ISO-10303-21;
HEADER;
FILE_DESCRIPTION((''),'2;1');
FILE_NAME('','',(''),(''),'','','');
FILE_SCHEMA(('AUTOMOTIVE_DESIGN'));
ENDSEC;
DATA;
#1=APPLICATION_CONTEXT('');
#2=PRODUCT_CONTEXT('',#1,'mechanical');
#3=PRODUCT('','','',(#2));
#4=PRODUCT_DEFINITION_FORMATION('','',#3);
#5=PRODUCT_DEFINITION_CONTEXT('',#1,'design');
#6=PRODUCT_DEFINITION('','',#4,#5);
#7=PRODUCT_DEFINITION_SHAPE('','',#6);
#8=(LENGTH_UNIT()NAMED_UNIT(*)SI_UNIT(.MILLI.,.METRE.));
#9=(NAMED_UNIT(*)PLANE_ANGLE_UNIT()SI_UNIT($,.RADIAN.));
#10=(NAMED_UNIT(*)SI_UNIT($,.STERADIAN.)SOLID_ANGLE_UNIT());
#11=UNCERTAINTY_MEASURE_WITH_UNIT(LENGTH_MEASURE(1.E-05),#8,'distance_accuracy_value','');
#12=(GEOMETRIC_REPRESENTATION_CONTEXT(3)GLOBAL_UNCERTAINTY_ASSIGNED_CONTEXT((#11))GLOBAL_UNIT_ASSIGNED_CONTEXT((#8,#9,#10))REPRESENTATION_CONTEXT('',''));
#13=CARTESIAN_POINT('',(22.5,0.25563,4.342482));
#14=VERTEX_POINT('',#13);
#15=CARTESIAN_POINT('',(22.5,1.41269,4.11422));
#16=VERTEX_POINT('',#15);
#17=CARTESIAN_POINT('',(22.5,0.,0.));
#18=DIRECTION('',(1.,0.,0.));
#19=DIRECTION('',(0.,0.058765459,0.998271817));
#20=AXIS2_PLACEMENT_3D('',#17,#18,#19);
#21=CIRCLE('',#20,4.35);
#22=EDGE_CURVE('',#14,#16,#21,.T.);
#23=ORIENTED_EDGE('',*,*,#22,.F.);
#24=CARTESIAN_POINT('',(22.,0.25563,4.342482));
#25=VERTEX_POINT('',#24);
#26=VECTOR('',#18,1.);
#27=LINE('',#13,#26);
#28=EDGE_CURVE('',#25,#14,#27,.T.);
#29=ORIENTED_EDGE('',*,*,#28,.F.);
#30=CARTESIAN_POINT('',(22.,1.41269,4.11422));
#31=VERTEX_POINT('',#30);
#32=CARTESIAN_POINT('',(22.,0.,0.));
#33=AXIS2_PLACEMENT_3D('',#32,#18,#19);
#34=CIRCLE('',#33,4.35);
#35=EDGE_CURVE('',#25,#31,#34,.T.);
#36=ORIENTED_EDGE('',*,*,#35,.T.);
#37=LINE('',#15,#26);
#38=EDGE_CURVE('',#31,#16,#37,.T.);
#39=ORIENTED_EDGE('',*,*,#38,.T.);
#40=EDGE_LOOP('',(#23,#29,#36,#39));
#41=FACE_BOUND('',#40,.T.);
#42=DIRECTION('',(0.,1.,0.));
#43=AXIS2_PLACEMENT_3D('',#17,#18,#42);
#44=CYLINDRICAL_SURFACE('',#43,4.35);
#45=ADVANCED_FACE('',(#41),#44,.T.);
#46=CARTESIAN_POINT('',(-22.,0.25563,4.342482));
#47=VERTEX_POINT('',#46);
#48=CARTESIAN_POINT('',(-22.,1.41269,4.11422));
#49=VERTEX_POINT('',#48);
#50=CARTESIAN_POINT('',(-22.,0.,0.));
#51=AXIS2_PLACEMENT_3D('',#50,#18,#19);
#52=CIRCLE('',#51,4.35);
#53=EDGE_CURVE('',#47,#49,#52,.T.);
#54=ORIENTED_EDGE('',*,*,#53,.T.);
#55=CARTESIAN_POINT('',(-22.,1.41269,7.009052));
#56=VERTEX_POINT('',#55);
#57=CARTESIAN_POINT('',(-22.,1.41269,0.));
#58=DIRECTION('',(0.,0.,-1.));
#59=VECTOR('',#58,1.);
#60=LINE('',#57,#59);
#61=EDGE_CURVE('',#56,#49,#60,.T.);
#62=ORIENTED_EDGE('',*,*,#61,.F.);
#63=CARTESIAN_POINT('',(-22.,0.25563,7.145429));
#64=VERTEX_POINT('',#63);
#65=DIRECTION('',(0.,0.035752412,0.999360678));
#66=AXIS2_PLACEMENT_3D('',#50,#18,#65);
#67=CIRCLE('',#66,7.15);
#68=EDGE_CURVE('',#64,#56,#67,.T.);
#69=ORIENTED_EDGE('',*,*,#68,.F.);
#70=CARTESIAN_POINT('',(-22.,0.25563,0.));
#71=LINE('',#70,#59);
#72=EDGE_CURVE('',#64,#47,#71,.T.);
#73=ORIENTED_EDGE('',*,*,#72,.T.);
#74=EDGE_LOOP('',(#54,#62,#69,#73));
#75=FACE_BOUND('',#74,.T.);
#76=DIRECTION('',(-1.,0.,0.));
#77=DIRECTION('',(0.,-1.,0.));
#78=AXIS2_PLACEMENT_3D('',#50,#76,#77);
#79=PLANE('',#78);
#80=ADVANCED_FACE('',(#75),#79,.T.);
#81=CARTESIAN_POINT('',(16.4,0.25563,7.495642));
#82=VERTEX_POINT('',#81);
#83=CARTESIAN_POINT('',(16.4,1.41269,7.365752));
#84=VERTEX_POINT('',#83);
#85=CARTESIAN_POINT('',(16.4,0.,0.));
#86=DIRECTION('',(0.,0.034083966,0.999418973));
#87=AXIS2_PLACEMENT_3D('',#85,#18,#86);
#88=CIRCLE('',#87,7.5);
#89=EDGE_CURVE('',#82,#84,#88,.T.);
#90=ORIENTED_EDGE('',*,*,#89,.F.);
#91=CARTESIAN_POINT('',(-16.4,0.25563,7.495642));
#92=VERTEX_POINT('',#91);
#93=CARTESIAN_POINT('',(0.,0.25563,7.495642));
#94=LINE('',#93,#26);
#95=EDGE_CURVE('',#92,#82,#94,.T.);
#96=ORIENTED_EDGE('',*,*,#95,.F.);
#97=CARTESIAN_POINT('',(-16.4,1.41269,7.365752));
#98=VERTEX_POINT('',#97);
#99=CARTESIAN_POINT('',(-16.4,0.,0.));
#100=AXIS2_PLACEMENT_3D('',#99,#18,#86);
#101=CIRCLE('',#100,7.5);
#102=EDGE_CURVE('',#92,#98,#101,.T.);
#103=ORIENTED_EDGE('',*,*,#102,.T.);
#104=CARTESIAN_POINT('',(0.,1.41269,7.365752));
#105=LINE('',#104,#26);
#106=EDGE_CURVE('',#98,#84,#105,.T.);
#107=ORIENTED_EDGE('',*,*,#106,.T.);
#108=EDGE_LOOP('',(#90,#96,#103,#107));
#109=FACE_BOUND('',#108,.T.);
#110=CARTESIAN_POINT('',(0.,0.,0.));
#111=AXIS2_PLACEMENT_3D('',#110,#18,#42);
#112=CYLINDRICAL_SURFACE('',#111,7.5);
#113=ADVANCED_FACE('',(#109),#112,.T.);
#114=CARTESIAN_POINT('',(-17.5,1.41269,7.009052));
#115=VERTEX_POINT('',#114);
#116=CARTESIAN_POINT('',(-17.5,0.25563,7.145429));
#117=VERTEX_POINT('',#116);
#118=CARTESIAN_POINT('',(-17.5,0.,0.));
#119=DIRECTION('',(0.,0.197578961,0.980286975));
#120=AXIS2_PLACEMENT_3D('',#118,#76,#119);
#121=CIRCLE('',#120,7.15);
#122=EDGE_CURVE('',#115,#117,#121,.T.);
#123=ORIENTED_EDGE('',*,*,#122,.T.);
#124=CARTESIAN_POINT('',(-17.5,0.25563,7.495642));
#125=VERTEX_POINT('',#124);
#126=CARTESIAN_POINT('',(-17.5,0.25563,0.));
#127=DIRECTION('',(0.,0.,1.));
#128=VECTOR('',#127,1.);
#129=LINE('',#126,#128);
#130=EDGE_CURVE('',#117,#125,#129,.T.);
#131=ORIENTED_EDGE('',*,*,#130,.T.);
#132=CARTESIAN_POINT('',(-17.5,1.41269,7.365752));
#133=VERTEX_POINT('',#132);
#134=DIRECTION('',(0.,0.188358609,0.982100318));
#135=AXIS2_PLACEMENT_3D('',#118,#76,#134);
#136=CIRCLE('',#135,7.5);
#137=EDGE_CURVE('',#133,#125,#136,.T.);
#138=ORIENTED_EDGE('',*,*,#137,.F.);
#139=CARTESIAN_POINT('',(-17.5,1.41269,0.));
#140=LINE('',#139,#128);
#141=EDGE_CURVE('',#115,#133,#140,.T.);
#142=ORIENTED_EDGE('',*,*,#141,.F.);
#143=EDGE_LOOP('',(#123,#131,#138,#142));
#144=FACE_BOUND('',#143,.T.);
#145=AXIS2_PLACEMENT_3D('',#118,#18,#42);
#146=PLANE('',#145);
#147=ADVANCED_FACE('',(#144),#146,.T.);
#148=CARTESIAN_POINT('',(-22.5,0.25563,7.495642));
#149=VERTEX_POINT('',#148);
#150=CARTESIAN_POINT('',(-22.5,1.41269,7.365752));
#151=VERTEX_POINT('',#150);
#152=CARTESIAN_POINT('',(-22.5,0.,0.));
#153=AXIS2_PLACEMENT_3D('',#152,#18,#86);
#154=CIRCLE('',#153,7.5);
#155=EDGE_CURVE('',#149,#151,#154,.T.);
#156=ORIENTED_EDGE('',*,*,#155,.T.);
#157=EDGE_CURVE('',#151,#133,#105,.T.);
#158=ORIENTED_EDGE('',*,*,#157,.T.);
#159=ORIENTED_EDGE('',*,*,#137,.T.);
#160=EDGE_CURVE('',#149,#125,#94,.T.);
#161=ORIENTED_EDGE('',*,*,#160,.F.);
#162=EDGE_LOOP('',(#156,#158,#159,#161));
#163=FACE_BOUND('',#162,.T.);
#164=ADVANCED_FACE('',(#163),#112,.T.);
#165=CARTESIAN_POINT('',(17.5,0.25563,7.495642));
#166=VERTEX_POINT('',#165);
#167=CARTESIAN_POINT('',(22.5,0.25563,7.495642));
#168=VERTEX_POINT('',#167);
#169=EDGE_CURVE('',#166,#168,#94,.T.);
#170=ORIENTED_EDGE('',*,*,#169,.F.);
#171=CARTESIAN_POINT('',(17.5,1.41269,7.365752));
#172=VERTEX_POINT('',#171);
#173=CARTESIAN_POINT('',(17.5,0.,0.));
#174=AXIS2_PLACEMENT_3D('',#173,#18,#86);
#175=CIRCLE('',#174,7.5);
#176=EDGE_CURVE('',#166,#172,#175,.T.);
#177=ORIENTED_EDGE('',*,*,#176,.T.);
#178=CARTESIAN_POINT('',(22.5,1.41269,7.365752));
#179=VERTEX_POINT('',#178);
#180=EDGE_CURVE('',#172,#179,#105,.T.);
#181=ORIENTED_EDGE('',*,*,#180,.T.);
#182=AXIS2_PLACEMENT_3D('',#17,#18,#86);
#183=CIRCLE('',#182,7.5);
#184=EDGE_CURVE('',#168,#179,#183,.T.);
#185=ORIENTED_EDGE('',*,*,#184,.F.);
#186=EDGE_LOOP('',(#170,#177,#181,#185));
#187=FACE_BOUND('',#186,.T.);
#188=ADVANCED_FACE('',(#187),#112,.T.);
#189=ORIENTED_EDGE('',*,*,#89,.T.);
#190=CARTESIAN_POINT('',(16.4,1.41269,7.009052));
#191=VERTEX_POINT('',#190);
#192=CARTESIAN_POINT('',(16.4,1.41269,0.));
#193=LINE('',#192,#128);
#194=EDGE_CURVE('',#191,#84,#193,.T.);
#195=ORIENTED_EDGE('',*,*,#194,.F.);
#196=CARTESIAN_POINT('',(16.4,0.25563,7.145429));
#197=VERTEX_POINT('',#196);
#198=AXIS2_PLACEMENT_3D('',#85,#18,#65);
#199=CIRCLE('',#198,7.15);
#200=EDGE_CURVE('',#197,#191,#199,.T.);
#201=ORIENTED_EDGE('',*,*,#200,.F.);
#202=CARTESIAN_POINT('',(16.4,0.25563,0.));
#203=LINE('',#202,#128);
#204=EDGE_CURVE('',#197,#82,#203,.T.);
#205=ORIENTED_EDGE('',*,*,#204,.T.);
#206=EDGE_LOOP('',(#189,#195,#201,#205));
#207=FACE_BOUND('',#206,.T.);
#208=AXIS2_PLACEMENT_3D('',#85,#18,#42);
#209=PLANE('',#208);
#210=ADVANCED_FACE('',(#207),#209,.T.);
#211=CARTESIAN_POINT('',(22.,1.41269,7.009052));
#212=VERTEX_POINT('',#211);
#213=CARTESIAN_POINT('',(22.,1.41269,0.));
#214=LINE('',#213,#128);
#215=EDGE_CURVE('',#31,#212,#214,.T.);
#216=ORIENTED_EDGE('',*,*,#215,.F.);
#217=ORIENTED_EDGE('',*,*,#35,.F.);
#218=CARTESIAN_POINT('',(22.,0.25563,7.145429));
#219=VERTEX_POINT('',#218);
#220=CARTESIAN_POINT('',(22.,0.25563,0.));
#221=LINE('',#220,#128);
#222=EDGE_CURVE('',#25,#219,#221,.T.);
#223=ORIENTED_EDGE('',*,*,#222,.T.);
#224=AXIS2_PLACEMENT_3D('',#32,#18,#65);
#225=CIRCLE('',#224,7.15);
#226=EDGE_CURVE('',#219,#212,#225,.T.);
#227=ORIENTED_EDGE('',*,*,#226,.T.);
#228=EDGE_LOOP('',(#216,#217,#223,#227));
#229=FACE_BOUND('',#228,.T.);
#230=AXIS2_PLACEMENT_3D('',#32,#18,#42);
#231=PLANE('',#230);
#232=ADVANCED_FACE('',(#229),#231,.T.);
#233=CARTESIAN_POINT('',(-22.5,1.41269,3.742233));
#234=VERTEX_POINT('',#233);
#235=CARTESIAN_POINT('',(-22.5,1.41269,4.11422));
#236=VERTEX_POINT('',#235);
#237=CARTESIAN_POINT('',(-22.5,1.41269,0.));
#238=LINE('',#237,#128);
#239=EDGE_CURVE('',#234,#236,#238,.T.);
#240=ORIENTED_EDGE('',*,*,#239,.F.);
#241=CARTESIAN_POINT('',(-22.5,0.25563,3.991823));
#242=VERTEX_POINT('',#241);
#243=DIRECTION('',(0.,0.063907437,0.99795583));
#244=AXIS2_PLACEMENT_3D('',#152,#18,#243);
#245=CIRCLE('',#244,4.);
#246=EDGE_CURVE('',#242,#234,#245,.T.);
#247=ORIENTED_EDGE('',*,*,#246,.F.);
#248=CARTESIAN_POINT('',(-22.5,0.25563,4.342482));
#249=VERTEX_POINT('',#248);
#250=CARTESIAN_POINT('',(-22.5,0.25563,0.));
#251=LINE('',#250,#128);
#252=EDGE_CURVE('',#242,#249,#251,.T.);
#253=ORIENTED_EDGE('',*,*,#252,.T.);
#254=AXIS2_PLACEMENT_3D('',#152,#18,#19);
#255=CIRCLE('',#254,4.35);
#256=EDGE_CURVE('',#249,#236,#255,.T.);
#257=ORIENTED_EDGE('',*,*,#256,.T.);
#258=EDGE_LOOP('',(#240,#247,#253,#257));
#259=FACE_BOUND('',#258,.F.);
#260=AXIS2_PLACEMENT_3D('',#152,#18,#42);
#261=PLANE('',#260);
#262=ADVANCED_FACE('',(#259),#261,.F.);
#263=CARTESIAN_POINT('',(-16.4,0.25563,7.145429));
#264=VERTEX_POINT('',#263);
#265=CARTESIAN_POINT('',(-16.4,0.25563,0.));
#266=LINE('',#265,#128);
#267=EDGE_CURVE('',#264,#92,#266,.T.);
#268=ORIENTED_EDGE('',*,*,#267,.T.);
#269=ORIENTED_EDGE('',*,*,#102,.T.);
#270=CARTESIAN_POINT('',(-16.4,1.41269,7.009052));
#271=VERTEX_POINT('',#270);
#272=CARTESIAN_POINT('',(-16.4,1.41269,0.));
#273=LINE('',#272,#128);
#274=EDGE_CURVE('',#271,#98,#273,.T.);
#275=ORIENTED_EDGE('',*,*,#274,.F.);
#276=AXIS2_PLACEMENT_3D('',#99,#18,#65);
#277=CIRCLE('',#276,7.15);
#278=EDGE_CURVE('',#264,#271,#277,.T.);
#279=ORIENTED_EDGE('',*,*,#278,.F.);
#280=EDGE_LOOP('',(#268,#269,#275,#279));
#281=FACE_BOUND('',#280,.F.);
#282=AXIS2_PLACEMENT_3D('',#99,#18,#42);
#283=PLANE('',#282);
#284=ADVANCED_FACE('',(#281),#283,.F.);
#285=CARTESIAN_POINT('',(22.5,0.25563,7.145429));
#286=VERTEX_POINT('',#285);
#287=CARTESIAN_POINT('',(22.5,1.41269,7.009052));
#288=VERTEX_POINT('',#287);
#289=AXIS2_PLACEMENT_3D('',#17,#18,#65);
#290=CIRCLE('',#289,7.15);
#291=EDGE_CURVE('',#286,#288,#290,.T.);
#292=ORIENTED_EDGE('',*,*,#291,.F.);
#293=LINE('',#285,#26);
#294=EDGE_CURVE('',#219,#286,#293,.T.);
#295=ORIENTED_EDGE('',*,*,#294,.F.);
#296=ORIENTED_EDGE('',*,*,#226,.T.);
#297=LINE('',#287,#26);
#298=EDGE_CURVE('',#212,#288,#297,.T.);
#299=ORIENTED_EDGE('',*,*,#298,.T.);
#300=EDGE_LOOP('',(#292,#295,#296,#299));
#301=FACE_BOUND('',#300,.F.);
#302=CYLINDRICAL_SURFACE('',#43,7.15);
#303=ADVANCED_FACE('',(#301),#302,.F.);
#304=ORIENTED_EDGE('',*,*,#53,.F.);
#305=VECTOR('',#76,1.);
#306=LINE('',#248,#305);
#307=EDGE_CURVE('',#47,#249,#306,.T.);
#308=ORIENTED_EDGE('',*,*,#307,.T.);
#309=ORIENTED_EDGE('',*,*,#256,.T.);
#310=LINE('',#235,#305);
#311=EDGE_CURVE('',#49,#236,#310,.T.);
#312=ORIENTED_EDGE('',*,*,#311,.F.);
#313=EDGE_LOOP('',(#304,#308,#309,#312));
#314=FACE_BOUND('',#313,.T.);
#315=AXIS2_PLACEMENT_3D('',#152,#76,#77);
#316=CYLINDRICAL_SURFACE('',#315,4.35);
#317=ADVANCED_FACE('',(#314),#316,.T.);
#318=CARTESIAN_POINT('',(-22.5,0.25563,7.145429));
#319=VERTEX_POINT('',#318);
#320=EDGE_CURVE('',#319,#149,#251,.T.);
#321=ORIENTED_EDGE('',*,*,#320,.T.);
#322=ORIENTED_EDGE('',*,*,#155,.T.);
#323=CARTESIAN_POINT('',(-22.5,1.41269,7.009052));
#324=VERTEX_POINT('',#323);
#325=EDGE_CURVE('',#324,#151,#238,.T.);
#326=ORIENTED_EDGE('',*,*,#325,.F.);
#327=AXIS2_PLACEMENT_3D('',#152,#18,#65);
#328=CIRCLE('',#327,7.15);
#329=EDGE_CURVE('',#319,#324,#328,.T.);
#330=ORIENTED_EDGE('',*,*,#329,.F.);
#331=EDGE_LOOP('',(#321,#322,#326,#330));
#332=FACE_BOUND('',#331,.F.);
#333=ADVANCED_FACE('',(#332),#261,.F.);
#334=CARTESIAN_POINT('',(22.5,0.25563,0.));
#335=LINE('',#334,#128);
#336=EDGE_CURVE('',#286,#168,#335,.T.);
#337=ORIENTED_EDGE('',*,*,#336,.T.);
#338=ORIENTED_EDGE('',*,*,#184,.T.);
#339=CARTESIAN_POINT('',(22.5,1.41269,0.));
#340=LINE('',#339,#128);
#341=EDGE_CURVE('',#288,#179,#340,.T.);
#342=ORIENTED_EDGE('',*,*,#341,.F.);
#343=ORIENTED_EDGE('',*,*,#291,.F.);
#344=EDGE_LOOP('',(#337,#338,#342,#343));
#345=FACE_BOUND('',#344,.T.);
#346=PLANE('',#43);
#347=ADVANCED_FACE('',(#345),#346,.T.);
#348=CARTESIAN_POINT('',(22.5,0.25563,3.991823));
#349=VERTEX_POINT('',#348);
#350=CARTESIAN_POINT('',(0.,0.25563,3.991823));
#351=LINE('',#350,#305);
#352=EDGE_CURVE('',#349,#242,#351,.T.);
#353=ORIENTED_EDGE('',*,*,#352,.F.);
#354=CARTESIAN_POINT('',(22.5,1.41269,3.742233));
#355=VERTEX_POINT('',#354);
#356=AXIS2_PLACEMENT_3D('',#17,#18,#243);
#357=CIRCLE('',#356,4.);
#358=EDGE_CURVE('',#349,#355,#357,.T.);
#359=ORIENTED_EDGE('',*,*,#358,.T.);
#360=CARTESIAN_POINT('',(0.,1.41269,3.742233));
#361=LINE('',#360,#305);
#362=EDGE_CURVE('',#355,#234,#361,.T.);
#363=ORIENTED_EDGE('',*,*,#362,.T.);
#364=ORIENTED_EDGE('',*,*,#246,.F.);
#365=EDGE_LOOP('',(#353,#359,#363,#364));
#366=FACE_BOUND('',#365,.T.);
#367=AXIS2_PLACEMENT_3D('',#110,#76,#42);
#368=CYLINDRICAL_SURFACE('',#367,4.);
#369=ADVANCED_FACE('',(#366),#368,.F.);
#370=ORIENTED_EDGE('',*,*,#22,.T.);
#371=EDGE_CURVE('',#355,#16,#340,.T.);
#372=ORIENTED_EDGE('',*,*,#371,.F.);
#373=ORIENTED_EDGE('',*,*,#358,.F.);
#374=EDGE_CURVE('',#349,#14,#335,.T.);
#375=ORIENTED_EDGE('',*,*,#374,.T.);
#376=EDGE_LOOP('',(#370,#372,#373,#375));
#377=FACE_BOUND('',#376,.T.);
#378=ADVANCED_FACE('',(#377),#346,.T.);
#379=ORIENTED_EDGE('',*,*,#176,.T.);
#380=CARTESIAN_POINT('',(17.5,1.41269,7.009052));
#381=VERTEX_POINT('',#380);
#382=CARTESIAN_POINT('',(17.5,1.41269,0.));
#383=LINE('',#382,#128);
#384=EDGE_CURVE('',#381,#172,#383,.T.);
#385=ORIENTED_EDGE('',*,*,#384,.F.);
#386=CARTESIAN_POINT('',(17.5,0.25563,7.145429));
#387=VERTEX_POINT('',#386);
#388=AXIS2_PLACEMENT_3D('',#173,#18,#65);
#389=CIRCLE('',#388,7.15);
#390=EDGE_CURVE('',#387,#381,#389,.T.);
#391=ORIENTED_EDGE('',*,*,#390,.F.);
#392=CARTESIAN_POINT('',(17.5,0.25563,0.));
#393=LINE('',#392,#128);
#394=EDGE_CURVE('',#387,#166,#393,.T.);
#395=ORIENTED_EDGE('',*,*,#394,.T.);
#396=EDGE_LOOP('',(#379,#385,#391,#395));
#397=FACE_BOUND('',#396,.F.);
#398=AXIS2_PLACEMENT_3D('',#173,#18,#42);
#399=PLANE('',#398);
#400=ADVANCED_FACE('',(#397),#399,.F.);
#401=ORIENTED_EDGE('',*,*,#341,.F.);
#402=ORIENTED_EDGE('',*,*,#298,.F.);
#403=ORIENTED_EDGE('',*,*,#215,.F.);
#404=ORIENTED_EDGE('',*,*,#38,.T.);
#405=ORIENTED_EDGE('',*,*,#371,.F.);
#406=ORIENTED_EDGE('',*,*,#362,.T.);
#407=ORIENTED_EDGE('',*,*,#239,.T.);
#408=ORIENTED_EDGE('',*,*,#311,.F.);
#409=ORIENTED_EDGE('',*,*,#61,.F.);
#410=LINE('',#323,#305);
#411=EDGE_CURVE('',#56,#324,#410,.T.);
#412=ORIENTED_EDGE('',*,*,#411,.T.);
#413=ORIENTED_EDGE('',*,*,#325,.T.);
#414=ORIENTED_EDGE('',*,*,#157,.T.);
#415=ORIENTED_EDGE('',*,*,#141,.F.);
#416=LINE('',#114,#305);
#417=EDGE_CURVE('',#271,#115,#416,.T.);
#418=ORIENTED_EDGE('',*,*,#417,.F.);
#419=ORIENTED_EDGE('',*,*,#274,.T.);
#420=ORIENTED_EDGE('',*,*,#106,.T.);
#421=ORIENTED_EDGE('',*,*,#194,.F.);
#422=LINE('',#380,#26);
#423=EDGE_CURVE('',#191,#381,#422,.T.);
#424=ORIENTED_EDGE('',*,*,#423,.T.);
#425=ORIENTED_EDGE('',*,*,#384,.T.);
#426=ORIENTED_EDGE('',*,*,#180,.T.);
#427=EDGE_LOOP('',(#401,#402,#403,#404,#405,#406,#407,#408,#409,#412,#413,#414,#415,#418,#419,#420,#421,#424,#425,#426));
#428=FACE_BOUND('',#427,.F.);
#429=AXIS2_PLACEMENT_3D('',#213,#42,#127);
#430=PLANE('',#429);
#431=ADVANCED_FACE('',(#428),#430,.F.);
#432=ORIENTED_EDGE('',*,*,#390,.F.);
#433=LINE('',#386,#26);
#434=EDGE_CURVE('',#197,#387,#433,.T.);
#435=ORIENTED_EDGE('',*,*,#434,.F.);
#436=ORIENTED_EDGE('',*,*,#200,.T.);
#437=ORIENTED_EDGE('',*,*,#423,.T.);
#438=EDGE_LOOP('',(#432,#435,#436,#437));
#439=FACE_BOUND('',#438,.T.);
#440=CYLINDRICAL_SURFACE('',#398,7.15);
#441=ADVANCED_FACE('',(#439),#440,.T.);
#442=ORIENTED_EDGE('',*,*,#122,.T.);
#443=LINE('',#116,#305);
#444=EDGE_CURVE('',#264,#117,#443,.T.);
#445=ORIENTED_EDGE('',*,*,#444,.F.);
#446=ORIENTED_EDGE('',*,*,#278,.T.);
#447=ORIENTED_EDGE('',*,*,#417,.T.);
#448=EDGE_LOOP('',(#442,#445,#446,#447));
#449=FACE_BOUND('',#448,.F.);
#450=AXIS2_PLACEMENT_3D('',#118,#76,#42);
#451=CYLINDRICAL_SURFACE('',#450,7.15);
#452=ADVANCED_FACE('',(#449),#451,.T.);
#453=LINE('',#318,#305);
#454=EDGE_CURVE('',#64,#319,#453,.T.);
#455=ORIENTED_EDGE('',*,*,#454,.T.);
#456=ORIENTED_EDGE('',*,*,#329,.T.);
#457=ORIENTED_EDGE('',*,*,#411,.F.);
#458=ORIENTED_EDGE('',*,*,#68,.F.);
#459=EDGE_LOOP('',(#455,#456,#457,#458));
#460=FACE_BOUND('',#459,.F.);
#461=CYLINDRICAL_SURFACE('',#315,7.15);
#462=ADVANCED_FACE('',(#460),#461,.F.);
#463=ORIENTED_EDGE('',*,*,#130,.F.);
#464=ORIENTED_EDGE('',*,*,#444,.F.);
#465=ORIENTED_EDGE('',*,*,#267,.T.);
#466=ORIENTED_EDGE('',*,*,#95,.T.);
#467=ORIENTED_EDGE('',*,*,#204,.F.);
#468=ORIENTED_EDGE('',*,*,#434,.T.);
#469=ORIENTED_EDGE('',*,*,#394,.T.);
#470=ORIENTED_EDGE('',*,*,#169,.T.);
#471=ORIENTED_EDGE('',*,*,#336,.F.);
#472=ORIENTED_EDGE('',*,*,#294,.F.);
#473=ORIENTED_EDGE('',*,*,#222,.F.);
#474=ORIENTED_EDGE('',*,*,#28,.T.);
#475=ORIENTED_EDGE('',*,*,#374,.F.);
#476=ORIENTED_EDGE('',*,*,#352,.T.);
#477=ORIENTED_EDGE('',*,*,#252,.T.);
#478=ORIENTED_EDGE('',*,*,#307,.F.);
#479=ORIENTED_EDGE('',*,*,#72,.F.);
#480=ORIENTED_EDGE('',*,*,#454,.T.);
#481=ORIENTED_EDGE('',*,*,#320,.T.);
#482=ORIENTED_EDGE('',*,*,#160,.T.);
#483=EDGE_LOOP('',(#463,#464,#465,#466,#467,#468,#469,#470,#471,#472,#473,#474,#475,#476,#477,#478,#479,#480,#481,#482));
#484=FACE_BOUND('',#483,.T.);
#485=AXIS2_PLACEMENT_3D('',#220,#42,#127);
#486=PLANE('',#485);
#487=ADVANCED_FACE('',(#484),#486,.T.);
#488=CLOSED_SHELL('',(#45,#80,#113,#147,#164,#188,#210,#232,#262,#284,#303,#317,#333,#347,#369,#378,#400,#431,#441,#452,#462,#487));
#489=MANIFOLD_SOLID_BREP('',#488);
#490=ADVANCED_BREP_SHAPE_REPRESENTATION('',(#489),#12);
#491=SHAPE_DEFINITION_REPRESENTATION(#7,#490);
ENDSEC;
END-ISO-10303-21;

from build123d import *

# Parameters (mm, degrees)
F0_R      = 7.5
F0_R_2    = 4
F1_DEPTH  = 22.5
F4_R      = 8
F4_R_2    = 7.15
F5_DEPTH  = 1.1
F6_R      = 8
F6_R_2    = 7.15
F7_DEPTH  = 1.1
F8_R      = 7.15
F8_R_2    = 4.35
F9_DEPTH  = 0.5
F11_R     = 7.15
F11_R_2   = 4.35
F12_DEPTH = 0.5
F13_W     = 1.1570598217
F13_H     = 15.1530206203
F14_DEPTH = 499.5


with BuildPart() as f1:
    # F0 (on Right) → F1 (new body, symmetric)
    with BuildSketch(Plane.YZ):
        Circle(F0_R)
        Circle(F0_R_2, mode=Mode.SUBTRACT)
    extrude(amount=F1_DEPTH, both=True)

    # F4 (on offset) → F5 (cut)
    with BuildSketch(Plane.YZ.offset(-17.5)):
        Circle(F4_R)
        Circle(F4_R_2, mode=Mode.SUBTRACT)
    extrude(amount=F5_DEPTH, mode=Mode.SUBTRACT)

    # F6 (on offset) → F7 (cut)
    with BuildSketch(Plane.YZ.offset(17.5)):
        Circle(F6_R)
        Circle(F6_R_2, mode=Mode.SUBTRACT)
    extrude(amount=-F7_DEPTH, mode=Mode.SUBTRACT)

    # F8 (on face) → F9 (cut)
    with BuildSketch(Plane.YZ.offset(22.5)):
        Circle(F8_R)
        Circle(F8_R_2, mode=Mode.SUBTRACT)
    extrude(amount=-F9_DEPTH, mode=Mode.SUBTRACT)

    # F11 (on face) → F12 (cut)
    with BuildSketch(Plane(origin=(-22.5, 0, 0), x_dir=(0, -1, 0), z_dir=(-1, 0, 0))):
        Circle(F11_R)
        Circle(F11_R_2, mode=Mode.SUBTRACT)
    extrude(amount=-F12_DEPTH, mode=Mode.SUBTRACT)

    # F13 (on face) → F14 (cut, symmetric)
    with BuildSketch(Plane.YZ.offset(22)):
        with Locations((0.8341596586, 7.5765103102)):
            Rectangle(F13_W, F13_H)
    extrude(amount=F14_DEPTH, both=True, mode=Mode.SUBTRACT)


solid = f1.part
